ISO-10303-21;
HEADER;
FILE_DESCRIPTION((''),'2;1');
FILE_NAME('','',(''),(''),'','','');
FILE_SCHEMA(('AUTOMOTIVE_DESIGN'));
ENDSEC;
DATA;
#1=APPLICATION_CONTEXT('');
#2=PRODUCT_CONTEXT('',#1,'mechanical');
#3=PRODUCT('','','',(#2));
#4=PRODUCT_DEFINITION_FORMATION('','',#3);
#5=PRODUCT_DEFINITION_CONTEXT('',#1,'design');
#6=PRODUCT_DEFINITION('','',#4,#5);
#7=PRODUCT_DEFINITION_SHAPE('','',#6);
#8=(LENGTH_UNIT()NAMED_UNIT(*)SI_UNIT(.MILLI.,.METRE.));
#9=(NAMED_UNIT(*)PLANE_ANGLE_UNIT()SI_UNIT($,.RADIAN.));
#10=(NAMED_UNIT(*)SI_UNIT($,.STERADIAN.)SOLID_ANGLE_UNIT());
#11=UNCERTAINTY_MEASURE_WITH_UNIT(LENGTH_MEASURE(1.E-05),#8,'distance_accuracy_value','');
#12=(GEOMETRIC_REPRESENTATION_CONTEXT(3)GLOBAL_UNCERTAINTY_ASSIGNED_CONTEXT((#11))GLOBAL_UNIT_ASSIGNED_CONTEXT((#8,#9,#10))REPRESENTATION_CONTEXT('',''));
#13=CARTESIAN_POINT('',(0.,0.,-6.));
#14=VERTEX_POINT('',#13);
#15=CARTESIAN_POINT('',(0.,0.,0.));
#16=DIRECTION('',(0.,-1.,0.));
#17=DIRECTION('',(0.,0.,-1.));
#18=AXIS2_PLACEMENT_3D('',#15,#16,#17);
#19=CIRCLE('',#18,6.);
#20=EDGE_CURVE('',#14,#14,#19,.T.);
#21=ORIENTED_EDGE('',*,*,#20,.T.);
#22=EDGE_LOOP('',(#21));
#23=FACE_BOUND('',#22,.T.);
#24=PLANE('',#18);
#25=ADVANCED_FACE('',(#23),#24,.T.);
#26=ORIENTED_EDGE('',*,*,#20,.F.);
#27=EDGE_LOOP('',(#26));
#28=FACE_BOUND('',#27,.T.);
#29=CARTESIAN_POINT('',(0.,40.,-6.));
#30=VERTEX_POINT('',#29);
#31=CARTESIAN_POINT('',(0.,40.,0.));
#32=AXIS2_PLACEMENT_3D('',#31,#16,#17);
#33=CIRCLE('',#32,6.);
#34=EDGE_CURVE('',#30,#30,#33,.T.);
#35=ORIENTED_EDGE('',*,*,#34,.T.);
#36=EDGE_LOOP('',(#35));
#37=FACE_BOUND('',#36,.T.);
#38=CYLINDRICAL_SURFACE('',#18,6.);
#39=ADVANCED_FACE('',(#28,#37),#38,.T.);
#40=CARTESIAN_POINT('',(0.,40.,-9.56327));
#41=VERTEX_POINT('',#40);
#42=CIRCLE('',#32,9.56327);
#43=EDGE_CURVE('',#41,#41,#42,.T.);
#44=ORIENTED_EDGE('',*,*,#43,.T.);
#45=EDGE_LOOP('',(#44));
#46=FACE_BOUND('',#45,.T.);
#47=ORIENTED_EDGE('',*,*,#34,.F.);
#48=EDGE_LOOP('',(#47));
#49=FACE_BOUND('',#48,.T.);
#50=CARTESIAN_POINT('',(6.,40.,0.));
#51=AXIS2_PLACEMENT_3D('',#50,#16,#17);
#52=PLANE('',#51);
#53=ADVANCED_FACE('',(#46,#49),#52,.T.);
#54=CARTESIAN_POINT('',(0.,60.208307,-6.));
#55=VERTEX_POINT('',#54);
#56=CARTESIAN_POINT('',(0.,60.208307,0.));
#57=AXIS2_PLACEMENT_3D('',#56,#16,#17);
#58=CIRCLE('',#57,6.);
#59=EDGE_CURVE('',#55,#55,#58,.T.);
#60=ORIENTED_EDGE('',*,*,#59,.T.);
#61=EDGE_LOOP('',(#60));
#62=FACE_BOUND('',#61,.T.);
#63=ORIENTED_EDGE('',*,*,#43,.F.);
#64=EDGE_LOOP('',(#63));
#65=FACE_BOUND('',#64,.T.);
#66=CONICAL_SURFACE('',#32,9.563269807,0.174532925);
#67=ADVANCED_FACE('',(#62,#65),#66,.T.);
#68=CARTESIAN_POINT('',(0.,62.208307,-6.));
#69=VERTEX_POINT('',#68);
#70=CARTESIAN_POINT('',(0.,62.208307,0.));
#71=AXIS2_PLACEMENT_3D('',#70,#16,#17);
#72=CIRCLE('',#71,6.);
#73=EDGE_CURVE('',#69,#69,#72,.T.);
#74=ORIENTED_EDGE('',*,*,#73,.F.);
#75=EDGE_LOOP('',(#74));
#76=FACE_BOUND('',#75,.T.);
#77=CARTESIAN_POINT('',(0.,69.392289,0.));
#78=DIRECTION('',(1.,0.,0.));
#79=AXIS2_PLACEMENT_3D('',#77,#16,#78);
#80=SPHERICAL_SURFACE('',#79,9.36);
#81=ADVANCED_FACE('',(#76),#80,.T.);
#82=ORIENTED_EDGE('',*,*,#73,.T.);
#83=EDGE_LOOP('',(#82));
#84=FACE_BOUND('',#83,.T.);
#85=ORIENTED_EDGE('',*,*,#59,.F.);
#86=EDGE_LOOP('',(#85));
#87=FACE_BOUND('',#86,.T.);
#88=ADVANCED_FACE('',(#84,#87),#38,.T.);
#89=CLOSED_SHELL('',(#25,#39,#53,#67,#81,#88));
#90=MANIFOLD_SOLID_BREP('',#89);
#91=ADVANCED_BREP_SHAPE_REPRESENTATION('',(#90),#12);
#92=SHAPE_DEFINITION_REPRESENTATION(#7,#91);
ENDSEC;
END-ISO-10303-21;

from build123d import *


with BuildPart() as part:
    # Sketch1 → Revolve1 (revolve)
    with BuildSketch(Plane.XY, mode=Mode.PRIVATE) as revolve1_sk:
        with BuildLine():
            Line((0, 0), (6, 0))
            Line((6, 0), (6, 40))
            Line((6, 40), (9.563269807, 40))
            Line((9.563269807, 40), (6, 60.208307275))
            Line((6, 60.208307275), (6, 62.208307275))
            ThreePointArc((6, 62.208307275), (8.799195225, 72.583490389), (0, 78.752289458))
            Line((0, 78.752289458), (0, 0))
        make_face()
    revolve(revolve1_sk.sketch.rotate(Axis((0, 0, 0), (0, 1, 0)), 90), axis=Axis((0, 0, 0), (0, 1, 0)))


solid = part.part
